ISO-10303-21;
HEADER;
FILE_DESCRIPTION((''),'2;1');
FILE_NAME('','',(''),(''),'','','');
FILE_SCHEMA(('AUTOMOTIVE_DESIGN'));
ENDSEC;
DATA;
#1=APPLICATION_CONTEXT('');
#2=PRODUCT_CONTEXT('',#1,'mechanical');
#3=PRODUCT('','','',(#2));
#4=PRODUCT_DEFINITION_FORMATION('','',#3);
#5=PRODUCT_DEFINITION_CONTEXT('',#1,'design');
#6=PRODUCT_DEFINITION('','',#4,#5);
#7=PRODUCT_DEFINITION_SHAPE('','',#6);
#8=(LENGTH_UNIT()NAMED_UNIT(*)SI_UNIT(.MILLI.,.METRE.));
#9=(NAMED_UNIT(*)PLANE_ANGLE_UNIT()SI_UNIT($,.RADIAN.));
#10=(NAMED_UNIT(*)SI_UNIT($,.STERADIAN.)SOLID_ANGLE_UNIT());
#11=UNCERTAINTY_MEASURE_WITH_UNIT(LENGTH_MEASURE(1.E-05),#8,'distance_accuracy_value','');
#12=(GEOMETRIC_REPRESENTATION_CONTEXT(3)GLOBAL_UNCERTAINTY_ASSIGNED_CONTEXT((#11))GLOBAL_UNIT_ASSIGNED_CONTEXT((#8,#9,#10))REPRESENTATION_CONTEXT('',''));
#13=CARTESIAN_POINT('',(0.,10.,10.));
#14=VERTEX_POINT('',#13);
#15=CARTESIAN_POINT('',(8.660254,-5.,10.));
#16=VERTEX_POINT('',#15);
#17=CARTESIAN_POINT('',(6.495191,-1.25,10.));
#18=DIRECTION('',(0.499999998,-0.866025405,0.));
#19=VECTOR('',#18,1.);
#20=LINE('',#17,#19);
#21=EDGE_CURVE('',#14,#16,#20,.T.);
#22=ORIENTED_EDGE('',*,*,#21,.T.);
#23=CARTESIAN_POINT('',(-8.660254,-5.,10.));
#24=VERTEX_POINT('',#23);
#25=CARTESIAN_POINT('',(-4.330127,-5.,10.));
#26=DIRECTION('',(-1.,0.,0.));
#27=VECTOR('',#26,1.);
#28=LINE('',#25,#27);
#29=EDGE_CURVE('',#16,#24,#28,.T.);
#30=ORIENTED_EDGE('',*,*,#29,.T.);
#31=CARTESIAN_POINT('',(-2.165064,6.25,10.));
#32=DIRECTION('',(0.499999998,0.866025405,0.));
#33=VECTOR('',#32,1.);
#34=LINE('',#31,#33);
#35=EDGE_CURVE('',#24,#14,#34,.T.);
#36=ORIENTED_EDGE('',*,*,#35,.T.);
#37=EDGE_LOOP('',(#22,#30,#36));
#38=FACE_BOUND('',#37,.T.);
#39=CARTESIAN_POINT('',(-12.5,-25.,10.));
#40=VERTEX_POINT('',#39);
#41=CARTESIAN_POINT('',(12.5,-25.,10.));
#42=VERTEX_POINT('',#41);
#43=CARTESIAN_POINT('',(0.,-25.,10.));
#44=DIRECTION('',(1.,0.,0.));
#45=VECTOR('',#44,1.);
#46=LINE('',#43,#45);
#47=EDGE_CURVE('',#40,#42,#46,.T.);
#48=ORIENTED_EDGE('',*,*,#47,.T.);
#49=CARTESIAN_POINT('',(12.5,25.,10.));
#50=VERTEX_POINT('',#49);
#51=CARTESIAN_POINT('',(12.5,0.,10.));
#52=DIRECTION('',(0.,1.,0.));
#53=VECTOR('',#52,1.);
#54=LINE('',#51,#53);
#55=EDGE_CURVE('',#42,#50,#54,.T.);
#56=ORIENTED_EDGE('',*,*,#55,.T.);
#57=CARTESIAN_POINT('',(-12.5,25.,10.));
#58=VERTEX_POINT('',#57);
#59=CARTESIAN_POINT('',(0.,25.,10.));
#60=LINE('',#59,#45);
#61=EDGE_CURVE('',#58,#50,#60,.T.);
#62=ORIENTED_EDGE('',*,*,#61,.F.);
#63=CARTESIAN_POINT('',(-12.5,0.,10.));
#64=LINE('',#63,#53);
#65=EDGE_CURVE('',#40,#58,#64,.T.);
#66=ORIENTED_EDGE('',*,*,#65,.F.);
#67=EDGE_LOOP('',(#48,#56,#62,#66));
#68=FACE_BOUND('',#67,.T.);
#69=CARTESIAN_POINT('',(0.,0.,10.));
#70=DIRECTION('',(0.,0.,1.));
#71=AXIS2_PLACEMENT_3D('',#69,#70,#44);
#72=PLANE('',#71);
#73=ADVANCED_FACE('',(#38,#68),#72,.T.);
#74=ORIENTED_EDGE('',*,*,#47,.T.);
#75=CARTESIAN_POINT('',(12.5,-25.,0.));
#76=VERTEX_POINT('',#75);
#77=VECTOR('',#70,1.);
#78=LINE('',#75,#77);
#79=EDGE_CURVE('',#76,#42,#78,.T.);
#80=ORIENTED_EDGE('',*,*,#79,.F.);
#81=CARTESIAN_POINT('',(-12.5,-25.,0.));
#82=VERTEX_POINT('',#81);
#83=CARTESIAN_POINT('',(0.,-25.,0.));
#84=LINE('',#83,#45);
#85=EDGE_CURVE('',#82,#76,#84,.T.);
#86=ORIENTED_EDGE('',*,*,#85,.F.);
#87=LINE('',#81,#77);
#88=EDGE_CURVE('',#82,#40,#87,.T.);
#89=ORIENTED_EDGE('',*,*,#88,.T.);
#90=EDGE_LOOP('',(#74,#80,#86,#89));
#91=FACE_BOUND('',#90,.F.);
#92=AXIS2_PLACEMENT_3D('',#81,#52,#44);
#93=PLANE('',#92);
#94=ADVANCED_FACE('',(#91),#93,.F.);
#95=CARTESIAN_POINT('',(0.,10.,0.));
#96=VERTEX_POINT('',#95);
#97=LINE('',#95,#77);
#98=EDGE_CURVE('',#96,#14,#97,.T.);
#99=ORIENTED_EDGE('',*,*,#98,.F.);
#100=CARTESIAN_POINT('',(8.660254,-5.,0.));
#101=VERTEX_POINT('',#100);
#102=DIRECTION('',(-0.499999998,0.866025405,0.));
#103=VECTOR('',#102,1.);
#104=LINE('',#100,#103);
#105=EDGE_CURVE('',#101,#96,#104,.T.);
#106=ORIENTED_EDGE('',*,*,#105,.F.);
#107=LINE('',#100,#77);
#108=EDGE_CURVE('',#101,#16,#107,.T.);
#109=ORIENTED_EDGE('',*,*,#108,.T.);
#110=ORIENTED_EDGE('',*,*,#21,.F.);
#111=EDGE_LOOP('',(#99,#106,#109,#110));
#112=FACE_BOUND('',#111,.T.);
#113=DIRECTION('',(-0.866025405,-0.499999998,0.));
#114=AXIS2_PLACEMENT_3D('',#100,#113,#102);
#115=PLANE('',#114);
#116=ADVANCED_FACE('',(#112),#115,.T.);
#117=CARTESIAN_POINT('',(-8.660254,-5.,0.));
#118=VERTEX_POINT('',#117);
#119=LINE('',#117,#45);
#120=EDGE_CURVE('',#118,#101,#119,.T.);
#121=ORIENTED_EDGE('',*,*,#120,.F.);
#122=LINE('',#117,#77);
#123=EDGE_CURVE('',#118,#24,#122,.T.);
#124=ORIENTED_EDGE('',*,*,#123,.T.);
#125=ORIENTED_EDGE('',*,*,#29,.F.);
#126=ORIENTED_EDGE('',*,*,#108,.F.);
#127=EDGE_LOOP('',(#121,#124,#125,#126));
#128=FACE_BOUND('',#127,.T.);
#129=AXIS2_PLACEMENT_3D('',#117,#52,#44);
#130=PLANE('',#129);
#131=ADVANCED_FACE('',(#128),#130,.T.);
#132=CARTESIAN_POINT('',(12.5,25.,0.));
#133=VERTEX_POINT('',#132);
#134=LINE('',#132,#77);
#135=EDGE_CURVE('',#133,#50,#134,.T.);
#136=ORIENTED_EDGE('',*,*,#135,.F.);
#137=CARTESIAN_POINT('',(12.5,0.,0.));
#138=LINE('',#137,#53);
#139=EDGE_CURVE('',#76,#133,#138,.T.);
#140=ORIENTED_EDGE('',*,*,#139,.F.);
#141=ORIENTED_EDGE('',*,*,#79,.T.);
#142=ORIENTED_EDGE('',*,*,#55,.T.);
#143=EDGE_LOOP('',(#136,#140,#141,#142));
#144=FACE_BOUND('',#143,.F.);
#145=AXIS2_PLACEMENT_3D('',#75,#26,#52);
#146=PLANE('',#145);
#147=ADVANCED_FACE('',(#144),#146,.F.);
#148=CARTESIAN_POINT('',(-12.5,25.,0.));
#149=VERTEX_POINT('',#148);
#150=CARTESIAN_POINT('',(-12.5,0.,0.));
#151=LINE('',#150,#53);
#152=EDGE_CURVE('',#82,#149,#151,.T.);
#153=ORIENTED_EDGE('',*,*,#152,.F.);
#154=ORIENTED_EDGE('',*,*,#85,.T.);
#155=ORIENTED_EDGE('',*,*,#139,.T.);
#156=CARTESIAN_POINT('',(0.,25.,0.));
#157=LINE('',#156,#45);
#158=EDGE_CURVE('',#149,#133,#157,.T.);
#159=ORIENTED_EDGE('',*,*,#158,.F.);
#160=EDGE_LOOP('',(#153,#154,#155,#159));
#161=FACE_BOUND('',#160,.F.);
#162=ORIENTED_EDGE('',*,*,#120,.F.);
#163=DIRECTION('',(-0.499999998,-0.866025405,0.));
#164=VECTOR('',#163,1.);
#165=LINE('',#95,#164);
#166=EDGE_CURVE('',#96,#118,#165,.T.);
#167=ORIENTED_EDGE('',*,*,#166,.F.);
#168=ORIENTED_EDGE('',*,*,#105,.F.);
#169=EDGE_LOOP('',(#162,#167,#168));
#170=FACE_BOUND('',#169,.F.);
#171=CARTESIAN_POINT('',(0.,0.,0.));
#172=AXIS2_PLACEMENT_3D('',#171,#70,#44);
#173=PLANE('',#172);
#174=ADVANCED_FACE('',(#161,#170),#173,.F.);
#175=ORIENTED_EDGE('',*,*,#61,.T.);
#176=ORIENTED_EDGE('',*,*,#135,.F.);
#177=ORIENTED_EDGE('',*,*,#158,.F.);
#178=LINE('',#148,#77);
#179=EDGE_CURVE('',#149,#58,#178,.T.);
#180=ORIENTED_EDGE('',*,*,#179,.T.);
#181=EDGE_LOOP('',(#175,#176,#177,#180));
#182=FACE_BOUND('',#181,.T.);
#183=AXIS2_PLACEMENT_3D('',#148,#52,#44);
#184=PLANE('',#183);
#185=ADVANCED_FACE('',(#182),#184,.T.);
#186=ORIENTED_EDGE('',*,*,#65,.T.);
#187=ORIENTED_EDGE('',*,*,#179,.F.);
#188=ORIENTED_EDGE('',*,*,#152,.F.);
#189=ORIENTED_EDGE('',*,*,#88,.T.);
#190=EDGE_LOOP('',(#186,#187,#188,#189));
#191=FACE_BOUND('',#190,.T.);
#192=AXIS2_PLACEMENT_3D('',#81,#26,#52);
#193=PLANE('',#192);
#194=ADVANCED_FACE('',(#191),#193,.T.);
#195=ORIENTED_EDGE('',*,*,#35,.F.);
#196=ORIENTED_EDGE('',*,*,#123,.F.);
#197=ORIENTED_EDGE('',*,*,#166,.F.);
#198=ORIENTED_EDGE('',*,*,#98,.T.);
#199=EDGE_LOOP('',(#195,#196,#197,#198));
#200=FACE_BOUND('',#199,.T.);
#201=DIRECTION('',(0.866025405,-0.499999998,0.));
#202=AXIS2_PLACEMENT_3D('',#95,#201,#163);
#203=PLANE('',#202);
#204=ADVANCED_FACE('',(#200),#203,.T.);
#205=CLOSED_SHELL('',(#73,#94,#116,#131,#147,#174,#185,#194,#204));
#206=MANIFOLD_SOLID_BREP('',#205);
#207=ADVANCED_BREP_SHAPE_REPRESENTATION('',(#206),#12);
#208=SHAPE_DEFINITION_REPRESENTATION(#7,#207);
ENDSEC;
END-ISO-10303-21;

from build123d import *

# Parameters (mm, degrees)
F0_W     = 25
F0_H     = 50
F1_DEPTH = 10
F3_DEPTH = 10.001


with BuildPart() as f1:
    # F0 (on Top) → F1 (new body)
    with BuildSketch(Plane.XY):
        Rectangle(F0_W, F0_H)
    extrude(amount=F1_DEPTH)

    # F2 (on Top) → F3 (cut, through all)
    with BuildSketch(Plane.XY):
        Polygon((0, 10), (-8.660254, -5), (8.660254, -5), align=None)
    extrude(amount=F3_DEPTH, mode=Mode.SUBTRACT)


solid = f1.part
